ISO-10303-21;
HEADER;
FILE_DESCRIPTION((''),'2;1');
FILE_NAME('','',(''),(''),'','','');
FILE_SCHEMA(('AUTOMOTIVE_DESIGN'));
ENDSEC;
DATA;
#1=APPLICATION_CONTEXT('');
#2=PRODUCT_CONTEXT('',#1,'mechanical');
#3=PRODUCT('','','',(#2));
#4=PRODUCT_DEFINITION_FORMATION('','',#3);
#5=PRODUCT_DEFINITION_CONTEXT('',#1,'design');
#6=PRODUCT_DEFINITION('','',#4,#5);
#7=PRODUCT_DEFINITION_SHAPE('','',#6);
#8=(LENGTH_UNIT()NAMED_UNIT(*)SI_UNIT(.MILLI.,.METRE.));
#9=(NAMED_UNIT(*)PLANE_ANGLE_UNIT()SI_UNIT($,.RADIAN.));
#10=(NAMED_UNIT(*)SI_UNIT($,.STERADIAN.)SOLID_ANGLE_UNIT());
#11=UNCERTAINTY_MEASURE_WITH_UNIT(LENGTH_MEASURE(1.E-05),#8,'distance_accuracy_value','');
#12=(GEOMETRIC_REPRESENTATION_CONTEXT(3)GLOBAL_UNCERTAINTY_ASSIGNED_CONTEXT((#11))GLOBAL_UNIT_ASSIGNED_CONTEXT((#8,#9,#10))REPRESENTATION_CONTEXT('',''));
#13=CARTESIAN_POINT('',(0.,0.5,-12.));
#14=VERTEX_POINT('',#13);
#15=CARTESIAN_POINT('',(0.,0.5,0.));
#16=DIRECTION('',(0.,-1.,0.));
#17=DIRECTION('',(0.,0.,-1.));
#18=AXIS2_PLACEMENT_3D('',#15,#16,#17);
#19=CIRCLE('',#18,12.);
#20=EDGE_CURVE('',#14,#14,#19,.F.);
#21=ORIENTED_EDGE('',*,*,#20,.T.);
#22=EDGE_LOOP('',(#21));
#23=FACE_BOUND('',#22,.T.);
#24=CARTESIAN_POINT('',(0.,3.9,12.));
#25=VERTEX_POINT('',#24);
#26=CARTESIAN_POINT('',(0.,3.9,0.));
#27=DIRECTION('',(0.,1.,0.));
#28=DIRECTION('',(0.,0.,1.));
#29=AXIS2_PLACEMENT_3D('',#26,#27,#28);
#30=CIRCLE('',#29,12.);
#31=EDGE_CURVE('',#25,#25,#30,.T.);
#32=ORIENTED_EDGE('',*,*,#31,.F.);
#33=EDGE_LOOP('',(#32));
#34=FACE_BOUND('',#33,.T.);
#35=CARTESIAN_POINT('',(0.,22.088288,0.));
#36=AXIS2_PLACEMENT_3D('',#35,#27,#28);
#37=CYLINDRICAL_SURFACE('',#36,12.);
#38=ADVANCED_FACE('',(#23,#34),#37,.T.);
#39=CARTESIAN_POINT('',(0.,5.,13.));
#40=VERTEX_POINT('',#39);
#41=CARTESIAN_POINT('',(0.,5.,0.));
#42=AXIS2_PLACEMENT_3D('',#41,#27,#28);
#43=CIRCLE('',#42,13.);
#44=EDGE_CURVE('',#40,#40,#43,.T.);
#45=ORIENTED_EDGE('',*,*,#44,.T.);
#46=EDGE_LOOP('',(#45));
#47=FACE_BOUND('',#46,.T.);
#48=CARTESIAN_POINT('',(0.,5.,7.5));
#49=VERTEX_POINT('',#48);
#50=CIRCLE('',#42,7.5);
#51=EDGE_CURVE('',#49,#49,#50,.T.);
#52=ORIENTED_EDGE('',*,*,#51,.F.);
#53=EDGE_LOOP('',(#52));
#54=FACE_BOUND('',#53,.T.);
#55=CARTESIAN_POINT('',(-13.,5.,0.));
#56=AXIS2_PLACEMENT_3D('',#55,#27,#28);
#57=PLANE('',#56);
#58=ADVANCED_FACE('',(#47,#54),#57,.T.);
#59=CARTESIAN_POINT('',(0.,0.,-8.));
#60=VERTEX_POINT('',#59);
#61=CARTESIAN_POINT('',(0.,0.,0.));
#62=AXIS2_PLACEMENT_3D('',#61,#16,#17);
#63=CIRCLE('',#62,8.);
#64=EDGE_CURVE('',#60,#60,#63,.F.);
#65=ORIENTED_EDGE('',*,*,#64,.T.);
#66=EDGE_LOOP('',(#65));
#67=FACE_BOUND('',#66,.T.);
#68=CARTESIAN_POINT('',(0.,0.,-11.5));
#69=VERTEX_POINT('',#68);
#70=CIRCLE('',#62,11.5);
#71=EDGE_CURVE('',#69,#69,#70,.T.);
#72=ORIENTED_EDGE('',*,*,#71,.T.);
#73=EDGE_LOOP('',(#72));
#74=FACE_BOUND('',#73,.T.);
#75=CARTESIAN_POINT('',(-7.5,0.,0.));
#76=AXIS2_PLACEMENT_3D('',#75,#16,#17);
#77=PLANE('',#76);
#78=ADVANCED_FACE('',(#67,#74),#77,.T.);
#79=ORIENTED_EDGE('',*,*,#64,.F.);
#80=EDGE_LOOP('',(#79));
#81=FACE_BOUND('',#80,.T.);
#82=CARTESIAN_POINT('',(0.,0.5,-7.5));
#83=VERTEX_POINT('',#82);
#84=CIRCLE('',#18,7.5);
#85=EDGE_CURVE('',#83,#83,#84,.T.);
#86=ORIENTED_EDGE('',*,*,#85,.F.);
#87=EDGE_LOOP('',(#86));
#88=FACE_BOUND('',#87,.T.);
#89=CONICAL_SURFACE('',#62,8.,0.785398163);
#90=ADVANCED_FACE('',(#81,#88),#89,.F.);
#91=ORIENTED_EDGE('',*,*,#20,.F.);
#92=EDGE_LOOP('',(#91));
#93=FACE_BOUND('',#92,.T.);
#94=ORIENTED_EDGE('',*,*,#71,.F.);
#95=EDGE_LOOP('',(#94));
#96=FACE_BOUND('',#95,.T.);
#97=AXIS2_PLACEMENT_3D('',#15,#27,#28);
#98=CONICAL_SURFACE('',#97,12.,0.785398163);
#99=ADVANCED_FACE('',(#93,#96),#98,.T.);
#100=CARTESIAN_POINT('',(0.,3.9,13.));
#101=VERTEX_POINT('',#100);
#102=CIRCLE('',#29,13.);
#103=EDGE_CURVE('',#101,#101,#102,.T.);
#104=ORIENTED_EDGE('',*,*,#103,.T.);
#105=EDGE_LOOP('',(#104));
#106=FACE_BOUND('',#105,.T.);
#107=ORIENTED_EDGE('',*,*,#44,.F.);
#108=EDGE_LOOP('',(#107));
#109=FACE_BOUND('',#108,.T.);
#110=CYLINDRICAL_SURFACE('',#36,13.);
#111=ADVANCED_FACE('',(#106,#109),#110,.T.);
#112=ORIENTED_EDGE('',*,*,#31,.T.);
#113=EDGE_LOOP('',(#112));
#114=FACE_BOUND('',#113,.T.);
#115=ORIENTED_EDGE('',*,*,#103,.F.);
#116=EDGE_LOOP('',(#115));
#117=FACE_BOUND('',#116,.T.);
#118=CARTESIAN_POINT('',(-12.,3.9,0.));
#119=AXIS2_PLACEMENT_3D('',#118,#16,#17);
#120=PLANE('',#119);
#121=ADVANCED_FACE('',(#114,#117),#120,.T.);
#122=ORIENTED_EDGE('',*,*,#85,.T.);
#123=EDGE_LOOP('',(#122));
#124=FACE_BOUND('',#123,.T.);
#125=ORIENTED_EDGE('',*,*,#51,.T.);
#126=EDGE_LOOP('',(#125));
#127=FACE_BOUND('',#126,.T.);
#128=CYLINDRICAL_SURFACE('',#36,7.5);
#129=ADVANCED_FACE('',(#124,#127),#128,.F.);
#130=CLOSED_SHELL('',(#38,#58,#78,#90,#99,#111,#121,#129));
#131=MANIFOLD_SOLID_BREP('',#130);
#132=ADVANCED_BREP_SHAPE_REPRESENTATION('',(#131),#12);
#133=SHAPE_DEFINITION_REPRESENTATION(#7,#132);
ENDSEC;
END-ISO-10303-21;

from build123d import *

# Parameters (mm, degrees)
CHAMFER_1_SIZE = 0.5


with BuildPart() as part:
    # 草图1 → 旋转1 (revolve)
    with BuildSketch(Plane.XY, mode=Mode.PRIVATE) as revolve_1_sk:
        Polygon((-7.5, 0), (-12, 0), (-12, 3.9), (-13, 3.9), (-13, 5), (-7.5, 5), align=None)
    revolve(revolve_1_sk.sketch.rotate(Axis((0, 22.088288084, 0), (0, -1, 0)), 270), axis=Axis((0, 22.088288084, 0), (0, -1, 0)))

    # 倒角1
    chamfer_1_edges = [part.edges().sort_by_distance(p)[0] for p in [
        (0, 0, -12),
        (0, 0, -7.5),
    ]]
    chamfer(chamfer_1_edges, length=CHAMFER_1_SIZE)


solid = part.part
